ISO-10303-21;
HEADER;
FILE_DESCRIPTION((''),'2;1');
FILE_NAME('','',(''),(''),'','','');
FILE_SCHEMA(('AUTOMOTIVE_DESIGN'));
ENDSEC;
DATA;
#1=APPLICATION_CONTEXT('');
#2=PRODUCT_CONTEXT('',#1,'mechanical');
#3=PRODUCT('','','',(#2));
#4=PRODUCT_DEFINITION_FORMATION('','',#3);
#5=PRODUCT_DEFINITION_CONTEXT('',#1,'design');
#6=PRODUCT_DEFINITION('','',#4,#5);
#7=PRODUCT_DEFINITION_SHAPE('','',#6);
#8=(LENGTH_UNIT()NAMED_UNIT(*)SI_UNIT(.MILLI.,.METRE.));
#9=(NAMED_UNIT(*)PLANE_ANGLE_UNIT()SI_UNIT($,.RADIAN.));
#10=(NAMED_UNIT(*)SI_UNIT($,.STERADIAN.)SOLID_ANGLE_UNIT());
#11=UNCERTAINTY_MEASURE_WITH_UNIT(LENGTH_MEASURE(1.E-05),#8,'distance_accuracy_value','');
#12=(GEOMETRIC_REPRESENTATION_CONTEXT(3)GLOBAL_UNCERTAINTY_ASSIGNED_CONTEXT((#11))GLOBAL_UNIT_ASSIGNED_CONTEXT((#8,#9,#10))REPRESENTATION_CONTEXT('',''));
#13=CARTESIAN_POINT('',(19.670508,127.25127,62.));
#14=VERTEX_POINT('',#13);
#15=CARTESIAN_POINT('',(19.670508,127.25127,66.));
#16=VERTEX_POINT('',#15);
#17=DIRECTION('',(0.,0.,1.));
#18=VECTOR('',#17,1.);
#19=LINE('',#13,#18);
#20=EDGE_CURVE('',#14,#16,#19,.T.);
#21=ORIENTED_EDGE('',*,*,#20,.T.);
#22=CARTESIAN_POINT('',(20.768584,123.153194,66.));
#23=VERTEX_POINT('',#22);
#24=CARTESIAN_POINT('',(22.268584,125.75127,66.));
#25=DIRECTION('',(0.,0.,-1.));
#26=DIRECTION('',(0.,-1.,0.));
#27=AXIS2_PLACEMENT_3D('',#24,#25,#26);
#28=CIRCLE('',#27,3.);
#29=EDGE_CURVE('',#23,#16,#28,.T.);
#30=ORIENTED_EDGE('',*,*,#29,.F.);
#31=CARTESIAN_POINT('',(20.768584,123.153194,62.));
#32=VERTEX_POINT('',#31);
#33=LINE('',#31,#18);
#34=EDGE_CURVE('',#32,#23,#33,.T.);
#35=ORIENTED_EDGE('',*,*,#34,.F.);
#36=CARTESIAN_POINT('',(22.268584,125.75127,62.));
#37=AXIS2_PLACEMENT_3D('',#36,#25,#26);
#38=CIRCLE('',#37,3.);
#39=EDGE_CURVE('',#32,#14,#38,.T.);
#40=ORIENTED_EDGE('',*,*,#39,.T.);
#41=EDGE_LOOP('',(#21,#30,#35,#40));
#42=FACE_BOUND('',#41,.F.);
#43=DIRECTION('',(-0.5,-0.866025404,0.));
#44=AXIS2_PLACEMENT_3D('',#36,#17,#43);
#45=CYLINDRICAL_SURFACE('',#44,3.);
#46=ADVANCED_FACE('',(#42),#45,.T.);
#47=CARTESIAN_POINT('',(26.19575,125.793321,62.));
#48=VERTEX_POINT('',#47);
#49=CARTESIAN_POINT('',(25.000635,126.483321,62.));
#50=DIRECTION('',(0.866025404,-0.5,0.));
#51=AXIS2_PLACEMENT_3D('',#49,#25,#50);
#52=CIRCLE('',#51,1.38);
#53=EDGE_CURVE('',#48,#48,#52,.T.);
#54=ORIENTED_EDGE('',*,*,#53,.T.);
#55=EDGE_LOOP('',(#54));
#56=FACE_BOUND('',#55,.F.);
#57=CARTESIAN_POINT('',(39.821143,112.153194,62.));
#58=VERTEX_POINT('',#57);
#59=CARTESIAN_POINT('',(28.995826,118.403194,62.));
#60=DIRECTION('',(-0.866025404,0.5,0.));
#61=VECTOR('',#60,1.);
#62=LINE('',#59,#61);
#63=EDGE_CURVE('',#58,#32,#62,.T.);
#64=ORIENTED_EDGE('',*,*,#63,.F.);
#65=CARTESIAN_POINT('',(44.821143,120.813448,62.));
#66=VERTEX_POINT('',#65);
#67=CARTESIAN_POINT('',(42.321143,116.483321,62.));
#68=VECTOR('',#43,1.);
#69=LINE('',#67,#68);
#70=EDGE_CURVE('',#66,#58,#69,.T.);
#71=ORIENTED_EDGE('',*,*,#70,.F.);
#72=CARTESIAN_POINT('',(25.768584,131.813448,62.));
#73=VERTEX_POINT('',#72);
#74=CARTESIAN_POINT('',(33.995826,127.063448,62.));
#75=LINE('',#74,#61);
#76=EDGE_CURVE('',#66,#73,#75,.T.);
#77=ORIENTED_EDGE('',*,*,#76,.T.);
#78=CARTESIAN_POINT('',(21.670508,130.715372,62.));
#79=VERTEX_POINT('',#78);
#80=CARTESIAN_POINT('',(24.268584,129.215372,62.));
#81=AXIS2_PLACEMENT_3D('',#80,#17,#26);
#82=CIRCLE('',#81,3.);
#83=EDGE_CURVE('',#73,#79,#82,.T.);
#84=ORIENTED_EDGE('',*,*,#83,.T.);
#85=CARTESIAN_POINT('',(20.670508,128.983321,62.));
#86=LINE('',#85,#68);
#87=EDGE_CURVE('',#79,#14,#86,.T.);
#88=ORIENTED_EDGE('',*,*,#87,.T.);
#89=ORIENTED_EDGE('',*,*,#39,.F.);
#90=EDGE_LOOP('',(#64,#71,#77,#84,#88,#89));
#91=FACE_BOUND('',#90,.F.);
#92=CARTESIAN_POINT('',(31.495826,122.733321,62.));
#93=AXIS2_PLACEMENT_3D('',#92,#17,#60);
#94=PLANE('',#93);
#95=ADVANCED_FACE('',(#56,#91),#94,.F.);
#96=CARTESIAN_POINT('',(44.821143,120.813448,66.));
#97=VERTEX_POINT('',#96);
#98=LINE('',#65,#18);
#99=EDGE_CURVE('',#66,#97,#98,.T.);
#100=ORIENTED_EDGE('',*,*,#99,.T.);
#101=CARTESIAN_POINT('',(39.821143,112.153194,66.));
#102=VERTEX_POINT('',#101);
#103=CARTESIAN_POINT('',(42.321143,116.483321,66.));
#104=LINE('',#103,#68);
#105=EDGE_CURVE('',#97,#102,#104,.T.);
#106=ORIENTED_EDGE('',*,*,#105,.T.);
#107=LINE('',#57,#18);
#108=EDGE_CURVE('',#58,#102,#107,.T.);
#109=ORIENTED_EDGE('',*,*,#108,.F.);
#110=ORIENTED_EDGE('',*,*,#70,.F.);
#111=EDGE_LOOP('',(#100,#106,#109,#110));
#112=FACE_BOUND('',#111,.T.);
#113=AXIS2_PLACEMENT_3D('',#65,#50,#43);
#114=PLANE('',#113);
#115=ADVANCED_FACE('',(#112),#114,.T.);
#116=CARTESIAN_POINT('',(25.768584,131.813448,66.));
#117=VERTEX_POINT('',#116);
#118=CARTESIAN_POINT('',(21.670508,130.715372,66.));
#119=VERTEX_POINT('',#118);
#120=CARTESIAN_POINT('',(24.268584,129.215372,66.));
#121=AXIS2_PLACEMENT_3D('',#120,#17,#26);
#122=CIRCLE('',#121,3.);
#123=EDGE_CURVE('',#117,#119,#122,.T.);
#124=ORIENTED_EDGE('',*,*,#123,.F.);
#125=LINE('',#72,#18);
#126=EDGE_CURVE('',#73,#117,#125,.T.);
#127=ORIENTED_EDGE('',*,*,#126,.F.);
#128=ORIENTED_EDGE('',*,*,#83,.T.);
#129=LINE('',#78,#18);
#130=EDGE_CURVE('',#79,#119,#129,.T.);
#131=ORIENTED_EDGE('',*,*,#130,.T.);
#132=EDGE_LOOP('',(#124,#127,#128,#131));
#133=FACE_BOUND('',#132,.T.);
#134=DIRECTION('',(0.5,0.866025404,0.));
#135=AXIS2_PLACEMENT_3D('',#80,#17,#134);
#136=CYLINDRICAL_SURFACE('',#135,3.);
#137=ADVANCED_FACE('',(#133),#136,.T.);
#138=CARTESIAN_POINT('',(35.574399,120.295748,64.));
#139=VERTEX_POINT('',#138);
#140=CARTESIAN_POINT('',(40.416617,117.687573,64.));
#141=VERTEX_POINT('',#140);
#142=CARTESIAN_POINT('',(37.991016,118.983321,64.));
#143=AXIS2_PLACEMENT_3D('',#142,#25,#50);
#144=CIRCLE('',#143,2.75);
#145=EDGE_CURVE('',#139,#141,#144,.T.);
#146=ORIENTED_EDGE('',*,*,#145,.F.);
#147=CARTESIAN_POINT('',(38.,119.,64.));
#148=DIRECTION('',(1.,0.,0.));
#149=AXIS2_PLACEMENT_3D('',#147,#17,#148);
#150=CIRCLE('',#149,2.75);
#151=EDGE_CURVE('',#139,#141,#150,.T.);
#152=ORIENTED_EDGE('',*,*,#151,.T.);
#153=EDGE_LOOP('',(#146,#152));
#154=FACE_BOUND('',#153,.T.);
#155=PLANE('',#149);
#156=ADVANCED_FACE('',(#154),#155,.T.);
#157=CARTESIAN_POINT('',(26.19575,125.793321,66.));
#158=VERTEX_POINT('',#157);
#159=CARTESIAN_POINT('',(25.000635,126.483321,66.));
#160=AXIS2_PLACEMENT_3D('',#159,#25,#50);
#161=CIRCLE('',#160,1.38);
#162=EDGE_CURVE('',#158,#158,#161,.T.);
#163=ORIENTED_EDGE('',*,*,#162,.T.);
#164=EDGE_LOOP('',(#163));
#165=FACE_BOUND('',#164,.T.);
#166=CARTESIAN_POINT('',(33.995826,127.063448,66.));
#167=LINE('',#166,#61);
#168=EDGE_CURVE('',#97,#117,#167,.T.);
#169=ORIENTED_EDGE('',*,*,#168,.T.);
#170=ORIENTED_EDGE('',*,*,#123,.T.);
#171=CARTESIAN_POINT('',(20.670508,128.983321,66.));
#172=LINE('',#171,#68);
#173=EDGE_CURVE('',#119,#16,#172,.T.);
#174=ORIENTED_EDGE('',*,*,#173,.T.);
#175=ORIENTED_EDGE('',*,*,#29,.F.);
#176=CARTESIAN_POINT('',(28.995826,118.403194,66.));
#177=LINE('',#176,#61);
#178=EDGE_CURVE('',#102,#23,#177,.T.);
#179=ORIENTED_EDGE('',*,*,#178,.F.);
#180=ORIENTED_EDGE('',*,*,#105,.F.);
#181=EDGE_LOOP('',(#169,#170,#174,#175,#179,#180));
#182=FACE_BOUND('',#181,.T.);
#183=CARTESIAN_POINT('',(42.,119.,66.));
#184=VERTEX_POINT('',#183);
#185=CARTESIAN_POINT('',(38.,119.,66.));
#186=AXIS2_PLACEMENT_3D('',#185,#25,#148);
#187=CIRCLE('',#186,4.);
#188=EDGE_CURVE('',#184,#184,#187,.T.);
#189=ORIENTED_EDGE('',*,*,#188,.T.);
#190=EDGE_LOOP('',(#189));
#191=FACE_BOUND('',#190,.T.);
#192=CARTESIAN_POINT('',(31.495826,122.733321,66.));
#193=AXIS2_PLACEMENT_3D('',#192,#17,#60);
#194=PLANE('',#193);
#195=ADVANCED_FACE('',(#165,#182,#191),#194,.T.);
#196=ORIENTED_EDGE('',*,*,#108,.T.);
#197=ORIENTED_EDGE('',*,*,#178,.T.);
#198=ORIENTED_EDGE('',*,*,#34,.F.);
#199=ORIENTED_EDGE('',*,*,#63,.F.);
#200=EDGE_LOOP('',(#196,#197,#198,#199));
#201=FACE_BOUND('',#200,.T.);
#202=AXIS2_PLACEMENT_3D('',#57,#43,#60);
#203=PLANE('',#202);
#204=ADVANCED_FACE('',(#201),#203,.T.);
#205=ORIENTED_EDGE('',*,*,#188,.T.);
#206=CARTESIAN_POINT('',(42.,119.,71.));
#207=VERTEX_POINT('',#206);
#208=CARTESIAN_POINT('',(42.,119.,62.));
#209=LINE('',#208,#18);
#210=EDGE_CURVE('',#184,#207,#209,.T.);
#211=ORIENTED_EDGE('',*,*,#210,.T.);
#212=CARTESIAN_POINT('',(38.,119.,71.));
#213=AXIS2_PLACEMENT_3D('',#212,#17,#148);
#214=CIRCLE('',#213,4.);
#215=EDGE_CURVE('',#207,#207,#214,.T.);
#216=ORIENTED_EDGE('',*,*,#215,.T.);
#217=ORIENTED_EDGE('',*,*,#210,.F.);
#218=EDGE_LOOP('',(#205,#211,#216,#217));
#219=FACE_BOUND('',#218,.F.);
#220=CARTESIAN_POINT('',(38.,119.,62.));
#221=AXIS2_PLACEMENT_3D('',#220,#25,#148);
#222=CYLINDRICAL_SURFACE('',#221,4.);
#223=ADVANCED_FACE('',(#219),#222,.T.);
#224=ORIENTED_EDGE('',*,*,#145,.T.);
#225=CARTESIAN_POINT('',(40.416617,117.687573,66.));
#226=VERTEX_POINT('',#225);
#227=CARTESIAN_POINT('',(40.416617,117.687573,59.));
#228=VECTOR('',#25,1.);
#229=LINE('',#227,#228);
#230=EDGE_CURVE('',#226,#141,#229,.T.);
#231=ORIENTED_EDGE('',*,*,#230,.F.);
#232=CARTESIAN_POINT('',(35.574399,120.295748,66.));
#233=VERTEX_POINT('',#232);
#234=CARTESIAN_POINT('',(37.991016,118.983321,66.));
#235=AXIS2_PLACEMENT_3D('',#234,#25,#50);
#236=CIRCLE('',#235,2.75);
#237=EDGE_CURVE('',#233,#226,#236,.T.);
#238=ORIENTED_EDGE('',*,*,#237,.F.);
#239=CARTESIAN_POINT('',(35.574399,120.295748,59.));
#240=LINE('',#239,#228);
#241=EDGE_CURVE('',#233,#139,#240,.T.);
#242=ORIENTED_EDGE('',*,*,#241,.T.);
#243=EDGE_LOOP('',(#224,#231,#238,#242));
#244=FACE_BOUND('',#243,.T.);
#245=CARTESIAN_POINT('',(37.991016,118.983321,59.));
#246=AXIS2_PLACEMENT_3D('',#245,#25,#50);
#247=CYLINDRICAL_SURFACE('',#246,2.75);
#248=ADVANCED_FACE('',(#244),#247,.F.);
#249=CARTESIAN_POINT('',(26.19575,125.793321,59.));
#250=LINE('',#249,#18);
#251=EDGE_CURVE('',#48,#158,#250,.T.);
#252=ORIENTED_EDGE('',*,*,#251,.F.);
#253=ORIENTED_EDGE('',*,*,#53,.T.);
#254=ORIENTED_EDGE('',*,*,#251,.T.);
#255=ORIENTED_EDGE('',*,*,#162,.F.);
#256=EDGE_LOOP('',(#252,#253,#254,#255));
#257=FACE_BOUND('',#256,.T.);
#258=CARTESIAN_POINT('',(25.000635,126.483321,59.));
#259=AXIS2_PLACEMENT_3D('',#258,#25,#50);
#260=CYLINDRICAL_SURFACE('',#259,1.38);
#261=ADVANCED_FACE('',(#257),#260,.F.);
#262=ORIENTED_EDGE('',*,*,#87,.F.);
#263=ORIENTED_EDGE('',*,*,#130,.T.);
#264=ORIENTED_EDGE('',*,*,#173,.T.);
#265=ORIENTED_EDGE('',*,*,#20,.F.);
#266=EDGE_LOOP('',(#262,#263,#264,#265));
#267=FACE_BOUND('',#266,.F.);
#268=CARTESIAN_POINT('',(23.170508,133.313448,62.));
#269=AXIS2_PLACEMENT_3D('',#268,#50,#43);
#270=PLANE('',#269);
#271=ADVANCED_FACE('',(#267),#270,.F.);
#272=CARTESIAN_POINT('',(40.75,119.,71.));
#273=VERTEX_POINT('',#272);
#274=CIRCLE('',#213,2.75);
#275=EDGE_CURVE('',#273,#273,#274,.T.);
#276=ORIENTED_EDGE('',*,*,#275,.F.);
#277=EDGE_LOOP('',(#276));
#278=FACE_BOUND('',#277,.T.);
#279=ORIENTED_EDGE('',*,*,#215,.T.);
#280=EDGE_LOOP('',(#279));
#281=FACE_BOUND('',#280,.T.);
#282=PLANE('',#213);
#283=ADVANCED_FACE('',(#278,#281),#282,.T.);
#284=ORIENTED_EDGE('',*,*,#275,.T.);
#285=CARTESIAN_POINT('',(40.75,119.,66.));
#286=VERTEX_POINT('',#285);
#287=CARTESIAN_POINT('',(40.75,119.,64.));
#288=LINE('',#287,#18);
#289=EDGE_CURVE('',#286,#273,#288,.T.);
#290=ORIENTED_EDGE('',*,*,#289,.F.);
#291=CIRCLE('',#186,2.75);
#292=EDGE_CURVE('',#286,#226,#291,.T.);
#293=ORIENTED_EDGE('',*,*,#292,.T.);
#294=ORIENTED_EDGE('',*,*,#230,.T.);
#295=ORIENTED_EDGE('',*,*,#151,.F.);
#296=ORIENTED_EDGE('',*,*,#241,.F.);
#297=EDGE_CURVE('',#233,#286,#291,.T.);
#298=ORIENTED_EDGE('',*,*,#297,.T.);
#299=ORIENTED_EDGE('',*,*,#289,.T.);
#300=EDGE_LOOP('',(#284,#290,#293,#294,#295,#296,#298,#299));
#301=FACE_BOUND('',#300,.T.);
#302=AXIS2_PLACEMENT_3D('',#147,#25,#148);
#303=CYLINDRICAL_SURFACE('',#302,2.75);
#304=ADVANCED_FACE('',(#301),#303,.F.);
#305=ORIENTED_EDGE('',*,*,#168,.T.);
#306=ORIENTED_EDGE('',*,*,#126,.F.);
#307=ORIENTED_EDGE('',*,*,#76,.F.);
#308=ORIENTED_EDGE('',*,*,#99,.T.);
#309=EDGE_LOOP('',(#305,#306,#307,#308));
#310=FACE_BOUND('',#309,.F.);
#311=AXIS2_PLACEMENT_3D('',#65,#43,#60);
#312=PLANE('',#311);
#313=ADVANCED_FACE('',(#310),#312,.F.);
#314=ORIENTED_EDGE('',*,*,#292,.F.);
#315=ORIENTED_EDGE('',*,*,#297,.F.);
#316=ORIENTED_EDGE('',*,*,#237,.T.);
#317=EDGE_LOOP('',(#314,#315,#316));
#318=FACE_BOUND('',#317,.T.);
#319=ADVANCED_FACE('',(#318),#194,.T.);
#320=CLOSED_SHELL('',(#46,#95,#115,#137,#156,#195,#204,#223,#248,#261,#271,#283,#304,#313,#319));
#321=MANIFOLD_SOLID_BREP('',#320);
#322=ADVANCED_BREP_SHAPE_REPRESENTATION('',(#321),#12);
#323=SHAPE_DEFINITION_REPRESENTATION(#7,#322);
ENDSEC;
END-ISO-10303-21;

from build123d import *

# Parameters (mm, degrees)
CYLINDER081_R          = 2.75
CYLINDER081_DEPTH      = 7
CYLINDER078_R          = 4
CYLINDER078_DEPTH      = 9
CYLINDER071_R          = 1.38
CYLINDER071_DEPTH      = 10
CYLINDER069_R          = 2.75
CYLINDER069_DEPTH      = 10
BOX039_W               = 25
BOX039_H               = 10
BOX039_DEPTH           = 4
CUT049_PLACEMENT_ANGLE = 30
FILLET006_R            = 3


with BuildPart() as cilindro002:
    # Cylinder081 → Cylinder081 (new body)
    with BuildSketch(Plane(origin=(17, 17, 12), x_dir=(1, 0, 0), z_dir=(0, 0, 1))):
        Circle(CYLINDER081_R)
    extrude(amount=CYLINDER081_DEPTH)


with BuildPart() as extensi_n_servo:
    # Cylinder078 → Cylinder078 (new body)
    with BuildSketch(Plane(origin=(17, 17, 10), x_dir=(1, 0, 0), z_dir=(0, 0, 1))):
        Circle(CYLINDER078_R)
    extrude(amount=CYLINDER078_DEPTH)

    # Cut053: cut Cilindro002
    add(cilindro002.part, mode=Mode.SUBTRACT)


with BuildPart() as extensi_n_servo_1:
    # Cut053 placement: moved
    add(extensi_n_servo.part.moved(Location((21, 102, 52))))


with BuildPart() as cylinder071:
    # Cylinder071 → Cylinder071 (new body)
    with BuildSketch(Plane(origin=(25, 52, 59), x_dir=(1, 0, 0), z_dir=(0, 0, 1))):
        Circle(CYLINDER071_R)
    extrude(amount=CYLINDER071_DEPTH)


with BuildPart() as cylinder069:
    # Cylinder069 → Cylinder069 (new body)
    with BuildSketch(Plane(origin=(40, 52, 59), x_dir=(1, 0, 0), z_dir=(0, 0, 1))):
        Circle(CYLINDER069_R)
    extrude(amount=CYLINDER069_DEPTH)


with BuildPart() as fusion009:
    # Box039 → Box039 (new body)
    with BuildSketch(Plane(origin=(45, 57, 62), x_dir=(-1, 0, 0), z_dir=(0, 0, 1))):
        with Locations((12.5, 5)):
            Rectangle(BOX039_W, BOX039_H)
    extrude(amount=BOX039_DEPTH)

    # Cut046: cut Cylinder069
    add(cylinder069.part, mode=Mode.SUBTRACT)

    # Cut049: cut Cylinder071
    add(cylinder071.part, mode=Mode.SUBTRACT)


with BuildPart() as fusion009_1:
    # Cut049 placement: moved
    add(fusion009.part.moved(Location((-20.65, 26.95, 0))).rotate(Axis((-20.65, 26.95, 0), (0, 0, -1)), CUT049_PLACEMENT_ANGLE))

    # Fillet006
    fillet006_edges = [fusion009_1.edges().sort_by_distance(p)[0] for p in [
        (25.170508, 66.313448, 64),
        (20.170508, 57.653194, 64),
    ]]
    fillet(fillet006_edges, radius=FILLET006_R)


with BuildPart() as fusion009_2:
    # Fillet006 placement: moved
    add(fusion009_1.part.moved(Location((-2, 67, 0))))

    # Fusion009: union Extensión servo
    add(extensi_n_servo_1.part)


solid = fusion009_2.part
